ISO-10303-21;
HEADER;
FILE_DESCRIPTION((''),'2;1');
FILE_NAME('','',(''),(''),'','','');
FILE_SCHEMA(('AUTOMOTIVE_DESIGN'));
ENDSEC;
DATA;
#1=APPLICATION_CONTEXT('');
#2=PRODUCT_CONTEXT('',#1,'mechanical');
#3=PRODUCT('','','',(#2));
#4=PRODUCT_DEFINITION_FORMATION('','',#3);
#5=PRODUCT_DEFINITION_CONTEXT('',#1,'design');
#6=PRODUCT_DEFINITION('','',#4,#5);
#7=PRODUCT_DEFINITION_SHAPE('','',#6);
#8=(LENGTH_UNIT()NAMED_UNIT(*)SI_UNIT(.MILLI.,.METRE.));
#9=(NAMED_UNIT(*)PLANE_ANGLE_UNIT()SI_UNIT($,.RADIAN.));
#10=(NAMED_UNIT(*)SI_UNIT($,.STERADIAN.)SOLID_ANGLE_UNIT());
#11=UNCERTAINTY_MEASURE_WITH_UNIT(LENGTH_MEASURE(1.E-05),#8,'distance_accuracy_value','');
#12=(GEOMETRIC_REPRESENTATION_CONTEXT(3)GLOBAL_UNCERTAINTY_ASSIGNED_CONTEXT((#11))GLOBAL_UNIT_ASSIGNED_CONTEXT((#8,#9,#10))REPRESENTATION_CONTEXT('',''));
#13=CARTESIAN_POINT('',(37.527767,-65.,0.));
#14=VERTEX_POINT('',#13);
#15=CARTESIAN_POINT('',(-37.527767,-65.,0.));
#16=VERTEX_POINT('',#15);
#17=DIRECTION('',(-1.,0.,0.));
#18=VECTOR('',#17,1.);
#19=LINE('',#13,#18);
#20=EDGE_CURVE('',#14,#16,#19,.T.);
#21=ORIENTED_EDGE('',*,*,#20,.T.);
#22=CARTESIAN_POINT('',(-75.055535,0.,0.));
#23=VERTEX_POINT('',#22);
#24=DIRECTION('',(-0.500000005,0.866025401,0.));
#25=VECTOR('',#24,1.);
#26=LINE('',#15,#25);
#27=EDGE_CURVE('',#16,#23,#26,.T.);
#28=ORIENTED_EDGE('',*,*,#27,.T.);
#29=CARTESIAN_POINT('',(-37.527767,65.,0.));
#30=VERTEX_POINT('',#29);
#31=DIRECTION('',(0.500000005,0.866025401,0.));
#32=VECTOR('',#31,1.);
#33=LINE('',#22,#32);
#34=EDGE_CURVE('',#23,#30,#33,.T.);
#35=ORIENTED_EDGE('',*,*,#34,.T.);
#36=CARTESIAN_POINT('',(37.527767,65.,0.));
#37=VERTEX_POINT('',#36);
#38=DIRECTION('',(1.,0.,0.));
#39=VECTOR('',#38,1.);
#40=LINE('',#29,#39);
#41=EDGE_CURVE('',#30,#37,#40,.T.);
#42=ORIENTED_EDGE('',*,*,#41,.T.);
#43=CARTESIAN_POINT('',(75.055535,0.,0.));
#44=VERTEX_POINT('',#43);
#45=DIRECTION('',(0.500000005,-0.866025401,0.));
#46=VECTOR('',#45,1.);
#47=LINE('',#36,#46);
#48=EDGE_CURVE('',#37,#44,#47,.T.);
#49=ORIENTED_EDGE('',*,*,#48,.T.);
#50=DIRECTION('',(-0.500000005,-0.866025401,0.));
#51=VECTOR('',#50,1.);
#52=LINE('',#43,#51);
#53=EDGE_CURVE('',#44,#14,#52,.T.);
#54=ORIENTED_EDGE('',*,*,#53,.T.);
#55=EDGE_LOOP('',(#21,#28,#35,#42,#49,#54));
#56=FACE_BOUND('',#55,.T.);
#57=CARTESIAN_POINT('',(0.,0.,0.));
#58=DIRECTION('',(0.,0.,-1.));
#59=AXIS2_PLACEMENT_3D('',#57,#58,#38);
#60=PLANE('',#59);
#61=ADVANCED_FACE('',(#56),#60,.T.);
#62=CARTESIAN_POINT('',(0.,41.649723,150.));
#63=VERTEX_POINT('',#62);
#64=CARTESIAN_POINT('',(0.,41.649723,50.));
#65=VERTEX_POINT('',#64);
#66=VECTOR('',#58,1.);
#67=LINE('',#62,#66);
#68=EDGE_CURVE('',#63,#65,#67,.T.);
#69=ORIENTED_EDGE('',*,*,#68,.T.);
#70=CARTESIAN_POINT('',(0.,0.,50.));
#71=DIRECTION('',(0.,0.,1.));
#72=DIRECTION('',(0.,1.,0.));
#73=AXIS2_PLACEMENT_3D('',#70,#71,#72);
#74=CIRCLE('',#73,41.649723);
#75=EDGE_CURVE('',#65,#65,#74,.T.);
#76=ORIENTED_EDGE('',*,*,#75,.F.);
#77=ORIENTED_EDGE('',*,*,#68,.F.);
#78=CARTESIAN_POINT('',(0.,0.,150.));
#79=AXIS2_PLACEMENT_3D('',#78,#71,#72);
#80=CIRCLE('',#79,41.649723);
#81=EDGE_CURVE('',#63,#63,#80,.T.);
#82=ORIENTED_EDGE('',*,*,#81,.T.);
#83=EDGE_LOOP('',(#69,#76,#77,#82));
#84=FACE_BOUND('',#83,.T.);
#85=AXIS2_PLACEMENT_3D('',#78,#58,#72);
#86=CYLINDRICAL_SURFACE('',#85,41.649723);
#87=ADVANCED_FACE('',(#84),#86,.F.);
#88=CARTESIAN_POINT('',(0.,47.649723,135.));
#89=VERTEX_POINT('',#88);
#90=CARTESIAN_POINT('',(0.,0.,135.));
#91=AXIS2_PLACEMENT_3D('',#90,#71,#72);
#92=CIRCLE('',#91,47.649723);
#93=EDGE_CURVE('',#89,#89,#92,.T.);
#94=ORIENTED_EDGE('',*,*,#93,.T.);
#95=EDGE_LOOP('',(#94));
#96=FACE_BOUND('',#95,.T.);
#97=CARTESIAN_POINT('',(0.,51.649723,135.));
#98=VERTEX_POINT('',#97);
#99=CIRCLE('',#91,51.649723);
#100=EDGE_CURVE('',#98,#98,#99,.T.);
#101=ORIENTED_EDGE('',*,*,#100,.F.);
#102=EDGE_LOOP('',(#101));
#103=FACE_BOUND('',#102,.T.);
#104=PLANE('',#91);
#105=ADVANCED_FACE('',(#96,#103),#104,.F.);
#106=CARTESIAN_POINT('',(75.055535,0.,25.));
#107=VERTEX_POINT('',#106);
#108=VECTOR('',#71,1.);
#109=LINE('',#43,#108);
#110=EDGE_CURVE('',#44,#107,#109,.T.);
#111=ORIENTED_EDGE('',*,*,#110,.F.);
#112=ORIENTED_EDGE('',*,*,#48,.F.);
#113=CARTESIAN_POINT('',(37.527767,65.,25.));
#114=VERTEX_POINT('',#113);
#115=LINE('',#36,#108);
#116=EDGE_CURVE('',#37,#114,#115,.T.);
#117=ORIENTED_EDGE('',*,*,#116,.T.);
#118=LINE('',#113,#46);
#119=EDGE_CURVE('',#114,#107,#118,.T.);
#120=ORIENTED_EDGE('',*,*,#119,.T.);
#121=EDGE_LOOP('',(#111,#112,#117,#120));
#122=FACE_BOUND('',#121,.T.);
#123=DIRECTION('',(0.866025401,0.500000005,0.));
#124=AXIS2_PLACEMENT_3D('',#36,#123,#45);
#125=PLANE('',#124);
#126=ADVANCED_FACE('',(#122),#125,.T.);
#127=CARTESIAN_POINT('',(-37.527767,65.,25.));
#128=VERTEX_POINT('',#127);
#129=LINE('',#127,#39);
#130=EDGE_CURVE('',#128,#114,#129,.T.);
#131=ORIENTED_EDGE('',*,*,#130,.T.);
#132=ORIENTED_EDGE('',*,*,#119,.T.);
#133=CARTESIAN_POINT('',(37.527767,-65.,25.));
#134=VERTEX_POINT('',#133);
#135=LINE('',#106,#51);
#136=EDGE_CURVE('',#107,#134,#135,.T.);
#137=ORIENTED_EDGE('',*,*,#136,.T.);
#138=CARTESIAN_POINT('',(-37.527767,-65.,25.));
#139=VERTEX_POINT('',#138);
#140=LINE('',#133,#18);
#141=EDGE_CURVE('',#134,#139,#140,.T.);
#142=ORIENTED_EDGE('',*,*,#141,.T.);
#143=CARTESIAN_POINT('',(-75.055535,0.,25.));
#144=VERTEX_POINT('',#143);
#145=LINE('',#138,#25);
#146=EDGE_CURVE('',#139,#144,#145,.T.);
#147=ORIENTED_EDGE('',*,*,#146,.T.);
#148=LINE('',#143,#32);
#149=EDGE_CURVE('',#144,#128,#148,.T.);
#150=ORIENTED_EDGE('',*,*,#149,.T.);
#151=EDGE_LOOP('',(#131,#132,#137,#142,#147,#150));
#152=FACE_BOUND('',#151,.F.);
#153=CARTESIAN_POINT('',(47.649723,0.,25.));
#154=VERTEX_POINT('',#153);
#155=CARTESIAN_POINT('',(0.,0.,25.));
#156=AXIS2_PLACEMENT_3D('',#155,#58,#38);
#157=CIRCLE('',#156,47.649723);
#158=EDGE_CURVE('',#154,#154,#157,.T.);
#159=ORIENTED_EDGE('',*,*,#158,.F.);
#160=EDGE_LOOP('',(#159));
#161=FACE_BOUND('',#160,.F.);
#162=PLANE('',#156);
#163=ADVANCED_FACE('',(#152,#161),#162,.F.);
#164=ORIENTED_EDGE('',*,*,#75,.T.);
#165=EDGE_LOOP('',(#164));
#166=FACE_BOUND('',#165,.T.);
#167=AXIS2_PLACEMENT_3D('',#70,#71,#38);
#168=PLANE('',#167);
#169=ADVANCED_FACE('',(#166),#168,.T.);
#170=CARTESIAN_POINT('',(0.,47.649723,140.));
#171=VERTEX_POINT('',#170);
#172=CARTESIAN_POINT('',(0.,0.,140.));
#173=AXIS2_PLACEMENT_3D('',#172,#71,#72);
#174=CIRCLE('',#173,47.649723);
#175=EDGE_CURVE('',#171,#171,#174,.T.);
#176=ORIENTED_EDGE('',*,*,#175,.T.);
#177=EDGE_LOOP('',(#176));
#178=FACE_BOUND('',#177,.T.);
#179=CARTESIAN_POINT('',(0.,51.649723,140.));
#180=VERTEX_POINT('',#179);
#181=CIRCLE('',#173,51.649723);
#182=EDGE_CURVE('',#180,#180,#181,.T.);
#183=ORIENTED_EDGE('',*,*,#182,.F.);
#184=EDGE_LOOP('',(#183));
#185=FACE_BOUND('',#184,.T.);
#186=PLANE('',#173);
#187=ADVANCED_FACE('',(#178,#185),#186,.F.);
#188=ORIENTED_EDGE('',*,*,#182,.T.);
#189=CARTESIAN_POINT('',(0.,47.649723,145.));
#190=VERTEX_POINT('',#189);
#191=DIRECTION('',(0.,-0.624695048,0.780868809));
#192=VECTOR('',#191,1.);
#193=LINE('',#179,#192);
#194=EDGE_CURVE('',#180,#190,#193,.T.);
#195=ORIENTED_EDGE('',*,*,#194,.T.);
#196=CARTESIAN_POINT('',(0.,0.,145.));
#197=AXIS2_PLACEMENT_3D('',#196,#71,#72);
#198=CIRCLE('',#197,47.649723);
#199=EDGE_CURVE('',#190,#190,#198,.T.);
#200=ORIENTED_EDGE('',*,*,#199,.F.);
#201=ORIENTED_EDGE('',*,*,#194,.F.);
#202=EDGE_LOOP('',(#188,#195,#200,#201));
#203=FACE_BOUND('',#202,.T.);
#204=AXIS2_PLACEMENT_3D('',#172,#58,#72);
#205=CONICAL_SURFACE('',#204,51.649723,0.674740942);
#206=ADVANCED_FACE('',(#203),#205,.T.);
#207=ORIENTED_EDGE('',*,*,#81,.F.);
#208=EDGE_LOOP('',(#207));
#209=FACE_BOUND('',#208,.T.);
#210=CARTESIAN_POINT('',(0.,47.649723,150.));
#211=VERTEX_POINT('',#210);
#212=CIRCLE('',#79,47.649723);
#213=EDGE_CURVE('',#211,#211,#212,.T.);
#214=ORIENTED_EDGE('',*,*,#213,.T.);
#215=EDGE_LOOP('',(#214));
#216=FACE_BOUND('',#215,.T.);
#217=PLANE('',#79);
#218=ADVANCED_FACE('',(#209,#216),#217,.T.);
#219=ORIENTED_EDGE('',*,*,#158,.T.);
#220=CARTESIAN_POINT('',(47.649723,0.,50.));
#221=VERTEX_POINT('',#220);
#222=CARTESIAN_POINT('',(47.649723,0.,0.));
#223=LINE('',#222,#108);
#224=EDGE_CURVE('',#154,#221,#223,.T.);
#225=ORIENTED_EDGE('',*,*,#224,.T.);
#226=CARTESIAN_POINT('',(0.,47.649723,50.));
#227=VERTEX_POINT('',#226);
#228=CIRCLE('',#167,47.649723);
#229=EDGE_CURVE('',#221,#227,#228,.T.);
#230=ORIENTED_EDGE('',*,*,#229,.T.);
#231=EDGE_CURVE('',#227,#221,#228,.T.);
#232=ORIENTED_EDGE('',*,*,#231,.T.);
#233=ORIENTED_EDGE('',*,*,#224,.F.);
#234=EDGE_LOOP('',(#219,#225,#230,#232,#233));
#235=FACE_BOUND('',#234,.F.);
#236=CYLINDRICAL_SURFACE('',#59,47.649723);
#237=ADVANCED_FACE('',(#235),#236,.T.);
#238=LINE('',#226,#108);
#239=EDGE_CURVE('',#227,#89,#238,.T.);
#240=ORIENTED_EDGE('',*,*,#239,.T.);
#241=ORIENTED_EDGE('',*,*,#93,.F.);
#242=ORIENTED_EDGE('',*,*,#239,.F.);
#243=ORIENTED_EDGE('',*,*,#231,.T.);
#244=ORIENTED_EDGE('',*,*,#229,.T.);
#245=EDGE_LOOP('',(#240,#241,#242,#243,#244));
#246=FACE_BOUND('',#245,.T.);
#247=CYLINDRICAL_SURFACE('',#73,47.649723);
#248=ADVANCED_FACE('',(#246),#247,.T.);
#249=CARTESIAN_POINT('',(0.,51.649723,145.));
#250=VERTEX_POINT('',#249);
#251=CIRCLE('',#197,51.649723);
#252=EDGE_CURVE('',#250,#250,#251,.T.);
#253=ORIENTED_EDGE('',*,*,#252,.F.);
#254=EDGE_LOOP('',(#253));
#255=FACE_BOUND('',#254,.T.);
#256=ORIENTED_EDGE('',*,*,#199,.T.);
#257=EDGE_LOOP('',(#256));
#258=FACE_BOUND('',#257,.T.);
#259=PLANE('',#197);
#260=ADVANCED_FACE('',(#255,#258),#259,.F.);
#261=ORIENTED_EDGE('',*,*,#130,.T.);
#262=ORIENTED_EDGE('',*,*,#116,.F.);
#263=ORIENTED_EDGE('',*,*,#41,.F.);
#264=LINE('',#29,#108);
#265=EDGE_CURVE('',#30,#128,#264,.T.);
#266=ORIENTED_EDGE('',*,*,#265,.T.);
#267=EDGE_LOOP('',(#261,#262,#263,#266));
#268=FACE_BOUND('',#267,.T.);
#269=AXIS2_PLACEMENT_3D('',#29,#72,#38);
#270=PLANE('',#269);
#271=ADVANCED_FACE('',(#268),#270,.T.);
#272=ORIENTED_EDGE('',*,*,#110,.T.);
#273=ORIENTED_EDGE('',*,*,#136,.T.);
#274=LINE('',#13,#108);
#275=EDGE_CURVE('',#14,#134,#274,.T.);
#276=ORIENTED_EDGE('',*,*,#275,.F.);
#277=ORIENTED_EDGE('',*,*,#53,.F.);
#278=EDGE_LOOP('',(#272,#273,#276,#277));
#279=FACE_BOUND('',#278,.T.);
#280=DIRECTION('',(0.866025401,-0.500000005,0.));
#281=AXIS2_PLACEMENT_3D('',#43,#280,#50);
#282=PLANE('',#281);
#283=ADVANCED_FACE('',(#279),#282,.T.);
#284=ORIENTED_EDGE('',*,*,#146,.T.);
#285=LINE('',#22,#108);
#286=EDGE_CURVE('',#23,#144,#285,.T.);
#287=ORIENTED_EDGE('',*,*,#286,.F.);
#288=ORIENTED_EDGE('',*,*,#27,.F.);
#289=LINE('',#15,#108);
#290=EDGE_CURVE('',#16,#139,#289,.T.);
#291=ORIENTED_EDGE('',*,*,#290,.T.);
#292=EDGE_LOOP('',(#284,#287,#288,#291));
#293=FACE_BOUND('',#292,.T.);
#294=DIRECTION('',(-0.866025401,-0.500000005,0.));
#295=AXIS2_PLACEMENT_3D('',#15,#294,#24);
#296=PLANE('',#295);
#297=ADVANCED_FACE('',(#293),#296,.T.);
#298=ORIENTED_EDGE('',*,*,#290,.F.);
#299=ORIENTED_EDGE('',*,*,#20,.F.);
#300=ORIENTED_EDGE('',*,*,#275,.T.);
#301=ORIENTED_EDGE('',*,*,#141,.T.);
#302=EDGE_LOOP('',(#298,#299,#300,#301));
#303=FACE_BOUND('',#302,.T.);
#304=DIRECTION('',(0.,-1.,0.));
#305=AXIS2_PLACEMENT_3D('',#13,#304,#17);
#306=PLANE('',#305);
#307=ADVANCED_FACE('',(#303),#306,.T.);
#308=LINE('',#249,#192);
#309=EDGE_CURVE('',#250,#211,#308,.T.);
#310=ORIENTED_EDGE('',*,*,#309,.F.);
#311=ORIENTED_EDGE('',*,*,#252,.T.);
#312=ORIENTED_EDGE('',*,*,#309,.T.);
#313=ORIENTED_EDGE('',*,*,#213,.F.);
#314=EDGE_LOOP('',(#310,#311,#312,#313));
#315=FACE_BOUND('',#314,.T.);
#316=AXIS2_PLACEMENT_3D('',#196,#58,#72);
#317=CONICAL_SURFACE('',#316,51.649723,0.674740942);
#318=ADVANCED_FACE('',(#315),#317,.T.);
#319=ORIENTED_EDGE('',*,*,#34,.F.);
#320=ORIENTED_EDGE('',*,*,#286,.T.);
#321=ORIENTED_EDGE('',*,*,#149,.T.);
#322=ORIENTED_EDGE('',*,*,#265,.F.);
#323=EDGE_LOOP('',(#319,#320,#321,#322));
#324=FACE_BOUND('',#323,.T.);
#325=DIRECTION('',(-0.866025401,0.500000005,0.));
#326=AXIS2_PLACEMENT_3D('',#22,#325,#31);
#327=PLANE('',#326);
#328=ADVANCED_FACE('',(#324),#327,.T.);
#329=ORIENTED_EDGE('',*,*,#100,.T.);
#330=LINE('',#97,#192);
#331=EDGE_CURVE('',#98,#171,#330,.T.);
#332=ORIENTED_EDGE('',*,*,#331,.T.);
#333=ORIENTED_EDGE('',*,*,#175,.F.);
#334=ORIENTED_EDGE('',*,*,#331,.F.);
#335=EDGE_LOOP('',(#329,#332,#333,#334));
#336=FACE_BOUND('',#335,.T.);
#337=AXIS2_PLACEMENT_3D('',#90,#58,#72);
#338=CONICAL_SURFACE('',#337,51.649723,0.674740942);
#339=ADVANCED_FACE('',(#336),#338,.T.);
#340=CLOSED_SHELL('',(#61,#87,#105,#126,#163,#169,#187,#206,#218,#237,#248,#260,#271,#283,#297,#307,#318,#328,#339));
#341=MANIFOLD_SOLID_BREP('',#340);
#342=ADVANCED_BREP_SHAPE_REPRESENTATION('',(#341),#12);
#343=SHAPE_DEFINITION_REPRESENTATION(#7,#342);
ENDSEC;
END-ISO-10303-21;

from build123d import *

# Parameters (mm, degrees)
F0_R     = 47.649723
F1_DEPTH = 50
F6_DEPTH = 25


with BuildPart() as f1:
    # F0 (on Top) → F1 (new body)
    with BuildSketch(Plane.XY):
        Circle(F0_R)
    extrude(amount=F1_DEPTH)

    # F2 (on Right) → F3 (revolve)
    with BuildSketch(Plane.YZ):
        Polygon((41.649723, 150), (41.649723, 50), (47.649723, 50), (47.649723, 135), (51.649723, 135), (47.649723, 140), (51.649723, 140), (47.649723, 145), (51.649723, 145), (47.649723, 150), align=None)
    revolve(axis=Axis((0, 0, 109.373078), (0, 0, 1)))

    # F5 (on face) → F6 (join)
    with BuildSketch(Plane(origin=(0, 0, 0), x_dir=(1, 0, 0), z_dir=(0, 0, -1))):
        Polygon((37.527767, -65), (75.055535, 0), (37.527767, 65), (-37.527767, 65), (-75.055535, 0), (-37.527767, -65), align=None)
    extrude(amount=-F6_DEPTH)


solid = f1.part
